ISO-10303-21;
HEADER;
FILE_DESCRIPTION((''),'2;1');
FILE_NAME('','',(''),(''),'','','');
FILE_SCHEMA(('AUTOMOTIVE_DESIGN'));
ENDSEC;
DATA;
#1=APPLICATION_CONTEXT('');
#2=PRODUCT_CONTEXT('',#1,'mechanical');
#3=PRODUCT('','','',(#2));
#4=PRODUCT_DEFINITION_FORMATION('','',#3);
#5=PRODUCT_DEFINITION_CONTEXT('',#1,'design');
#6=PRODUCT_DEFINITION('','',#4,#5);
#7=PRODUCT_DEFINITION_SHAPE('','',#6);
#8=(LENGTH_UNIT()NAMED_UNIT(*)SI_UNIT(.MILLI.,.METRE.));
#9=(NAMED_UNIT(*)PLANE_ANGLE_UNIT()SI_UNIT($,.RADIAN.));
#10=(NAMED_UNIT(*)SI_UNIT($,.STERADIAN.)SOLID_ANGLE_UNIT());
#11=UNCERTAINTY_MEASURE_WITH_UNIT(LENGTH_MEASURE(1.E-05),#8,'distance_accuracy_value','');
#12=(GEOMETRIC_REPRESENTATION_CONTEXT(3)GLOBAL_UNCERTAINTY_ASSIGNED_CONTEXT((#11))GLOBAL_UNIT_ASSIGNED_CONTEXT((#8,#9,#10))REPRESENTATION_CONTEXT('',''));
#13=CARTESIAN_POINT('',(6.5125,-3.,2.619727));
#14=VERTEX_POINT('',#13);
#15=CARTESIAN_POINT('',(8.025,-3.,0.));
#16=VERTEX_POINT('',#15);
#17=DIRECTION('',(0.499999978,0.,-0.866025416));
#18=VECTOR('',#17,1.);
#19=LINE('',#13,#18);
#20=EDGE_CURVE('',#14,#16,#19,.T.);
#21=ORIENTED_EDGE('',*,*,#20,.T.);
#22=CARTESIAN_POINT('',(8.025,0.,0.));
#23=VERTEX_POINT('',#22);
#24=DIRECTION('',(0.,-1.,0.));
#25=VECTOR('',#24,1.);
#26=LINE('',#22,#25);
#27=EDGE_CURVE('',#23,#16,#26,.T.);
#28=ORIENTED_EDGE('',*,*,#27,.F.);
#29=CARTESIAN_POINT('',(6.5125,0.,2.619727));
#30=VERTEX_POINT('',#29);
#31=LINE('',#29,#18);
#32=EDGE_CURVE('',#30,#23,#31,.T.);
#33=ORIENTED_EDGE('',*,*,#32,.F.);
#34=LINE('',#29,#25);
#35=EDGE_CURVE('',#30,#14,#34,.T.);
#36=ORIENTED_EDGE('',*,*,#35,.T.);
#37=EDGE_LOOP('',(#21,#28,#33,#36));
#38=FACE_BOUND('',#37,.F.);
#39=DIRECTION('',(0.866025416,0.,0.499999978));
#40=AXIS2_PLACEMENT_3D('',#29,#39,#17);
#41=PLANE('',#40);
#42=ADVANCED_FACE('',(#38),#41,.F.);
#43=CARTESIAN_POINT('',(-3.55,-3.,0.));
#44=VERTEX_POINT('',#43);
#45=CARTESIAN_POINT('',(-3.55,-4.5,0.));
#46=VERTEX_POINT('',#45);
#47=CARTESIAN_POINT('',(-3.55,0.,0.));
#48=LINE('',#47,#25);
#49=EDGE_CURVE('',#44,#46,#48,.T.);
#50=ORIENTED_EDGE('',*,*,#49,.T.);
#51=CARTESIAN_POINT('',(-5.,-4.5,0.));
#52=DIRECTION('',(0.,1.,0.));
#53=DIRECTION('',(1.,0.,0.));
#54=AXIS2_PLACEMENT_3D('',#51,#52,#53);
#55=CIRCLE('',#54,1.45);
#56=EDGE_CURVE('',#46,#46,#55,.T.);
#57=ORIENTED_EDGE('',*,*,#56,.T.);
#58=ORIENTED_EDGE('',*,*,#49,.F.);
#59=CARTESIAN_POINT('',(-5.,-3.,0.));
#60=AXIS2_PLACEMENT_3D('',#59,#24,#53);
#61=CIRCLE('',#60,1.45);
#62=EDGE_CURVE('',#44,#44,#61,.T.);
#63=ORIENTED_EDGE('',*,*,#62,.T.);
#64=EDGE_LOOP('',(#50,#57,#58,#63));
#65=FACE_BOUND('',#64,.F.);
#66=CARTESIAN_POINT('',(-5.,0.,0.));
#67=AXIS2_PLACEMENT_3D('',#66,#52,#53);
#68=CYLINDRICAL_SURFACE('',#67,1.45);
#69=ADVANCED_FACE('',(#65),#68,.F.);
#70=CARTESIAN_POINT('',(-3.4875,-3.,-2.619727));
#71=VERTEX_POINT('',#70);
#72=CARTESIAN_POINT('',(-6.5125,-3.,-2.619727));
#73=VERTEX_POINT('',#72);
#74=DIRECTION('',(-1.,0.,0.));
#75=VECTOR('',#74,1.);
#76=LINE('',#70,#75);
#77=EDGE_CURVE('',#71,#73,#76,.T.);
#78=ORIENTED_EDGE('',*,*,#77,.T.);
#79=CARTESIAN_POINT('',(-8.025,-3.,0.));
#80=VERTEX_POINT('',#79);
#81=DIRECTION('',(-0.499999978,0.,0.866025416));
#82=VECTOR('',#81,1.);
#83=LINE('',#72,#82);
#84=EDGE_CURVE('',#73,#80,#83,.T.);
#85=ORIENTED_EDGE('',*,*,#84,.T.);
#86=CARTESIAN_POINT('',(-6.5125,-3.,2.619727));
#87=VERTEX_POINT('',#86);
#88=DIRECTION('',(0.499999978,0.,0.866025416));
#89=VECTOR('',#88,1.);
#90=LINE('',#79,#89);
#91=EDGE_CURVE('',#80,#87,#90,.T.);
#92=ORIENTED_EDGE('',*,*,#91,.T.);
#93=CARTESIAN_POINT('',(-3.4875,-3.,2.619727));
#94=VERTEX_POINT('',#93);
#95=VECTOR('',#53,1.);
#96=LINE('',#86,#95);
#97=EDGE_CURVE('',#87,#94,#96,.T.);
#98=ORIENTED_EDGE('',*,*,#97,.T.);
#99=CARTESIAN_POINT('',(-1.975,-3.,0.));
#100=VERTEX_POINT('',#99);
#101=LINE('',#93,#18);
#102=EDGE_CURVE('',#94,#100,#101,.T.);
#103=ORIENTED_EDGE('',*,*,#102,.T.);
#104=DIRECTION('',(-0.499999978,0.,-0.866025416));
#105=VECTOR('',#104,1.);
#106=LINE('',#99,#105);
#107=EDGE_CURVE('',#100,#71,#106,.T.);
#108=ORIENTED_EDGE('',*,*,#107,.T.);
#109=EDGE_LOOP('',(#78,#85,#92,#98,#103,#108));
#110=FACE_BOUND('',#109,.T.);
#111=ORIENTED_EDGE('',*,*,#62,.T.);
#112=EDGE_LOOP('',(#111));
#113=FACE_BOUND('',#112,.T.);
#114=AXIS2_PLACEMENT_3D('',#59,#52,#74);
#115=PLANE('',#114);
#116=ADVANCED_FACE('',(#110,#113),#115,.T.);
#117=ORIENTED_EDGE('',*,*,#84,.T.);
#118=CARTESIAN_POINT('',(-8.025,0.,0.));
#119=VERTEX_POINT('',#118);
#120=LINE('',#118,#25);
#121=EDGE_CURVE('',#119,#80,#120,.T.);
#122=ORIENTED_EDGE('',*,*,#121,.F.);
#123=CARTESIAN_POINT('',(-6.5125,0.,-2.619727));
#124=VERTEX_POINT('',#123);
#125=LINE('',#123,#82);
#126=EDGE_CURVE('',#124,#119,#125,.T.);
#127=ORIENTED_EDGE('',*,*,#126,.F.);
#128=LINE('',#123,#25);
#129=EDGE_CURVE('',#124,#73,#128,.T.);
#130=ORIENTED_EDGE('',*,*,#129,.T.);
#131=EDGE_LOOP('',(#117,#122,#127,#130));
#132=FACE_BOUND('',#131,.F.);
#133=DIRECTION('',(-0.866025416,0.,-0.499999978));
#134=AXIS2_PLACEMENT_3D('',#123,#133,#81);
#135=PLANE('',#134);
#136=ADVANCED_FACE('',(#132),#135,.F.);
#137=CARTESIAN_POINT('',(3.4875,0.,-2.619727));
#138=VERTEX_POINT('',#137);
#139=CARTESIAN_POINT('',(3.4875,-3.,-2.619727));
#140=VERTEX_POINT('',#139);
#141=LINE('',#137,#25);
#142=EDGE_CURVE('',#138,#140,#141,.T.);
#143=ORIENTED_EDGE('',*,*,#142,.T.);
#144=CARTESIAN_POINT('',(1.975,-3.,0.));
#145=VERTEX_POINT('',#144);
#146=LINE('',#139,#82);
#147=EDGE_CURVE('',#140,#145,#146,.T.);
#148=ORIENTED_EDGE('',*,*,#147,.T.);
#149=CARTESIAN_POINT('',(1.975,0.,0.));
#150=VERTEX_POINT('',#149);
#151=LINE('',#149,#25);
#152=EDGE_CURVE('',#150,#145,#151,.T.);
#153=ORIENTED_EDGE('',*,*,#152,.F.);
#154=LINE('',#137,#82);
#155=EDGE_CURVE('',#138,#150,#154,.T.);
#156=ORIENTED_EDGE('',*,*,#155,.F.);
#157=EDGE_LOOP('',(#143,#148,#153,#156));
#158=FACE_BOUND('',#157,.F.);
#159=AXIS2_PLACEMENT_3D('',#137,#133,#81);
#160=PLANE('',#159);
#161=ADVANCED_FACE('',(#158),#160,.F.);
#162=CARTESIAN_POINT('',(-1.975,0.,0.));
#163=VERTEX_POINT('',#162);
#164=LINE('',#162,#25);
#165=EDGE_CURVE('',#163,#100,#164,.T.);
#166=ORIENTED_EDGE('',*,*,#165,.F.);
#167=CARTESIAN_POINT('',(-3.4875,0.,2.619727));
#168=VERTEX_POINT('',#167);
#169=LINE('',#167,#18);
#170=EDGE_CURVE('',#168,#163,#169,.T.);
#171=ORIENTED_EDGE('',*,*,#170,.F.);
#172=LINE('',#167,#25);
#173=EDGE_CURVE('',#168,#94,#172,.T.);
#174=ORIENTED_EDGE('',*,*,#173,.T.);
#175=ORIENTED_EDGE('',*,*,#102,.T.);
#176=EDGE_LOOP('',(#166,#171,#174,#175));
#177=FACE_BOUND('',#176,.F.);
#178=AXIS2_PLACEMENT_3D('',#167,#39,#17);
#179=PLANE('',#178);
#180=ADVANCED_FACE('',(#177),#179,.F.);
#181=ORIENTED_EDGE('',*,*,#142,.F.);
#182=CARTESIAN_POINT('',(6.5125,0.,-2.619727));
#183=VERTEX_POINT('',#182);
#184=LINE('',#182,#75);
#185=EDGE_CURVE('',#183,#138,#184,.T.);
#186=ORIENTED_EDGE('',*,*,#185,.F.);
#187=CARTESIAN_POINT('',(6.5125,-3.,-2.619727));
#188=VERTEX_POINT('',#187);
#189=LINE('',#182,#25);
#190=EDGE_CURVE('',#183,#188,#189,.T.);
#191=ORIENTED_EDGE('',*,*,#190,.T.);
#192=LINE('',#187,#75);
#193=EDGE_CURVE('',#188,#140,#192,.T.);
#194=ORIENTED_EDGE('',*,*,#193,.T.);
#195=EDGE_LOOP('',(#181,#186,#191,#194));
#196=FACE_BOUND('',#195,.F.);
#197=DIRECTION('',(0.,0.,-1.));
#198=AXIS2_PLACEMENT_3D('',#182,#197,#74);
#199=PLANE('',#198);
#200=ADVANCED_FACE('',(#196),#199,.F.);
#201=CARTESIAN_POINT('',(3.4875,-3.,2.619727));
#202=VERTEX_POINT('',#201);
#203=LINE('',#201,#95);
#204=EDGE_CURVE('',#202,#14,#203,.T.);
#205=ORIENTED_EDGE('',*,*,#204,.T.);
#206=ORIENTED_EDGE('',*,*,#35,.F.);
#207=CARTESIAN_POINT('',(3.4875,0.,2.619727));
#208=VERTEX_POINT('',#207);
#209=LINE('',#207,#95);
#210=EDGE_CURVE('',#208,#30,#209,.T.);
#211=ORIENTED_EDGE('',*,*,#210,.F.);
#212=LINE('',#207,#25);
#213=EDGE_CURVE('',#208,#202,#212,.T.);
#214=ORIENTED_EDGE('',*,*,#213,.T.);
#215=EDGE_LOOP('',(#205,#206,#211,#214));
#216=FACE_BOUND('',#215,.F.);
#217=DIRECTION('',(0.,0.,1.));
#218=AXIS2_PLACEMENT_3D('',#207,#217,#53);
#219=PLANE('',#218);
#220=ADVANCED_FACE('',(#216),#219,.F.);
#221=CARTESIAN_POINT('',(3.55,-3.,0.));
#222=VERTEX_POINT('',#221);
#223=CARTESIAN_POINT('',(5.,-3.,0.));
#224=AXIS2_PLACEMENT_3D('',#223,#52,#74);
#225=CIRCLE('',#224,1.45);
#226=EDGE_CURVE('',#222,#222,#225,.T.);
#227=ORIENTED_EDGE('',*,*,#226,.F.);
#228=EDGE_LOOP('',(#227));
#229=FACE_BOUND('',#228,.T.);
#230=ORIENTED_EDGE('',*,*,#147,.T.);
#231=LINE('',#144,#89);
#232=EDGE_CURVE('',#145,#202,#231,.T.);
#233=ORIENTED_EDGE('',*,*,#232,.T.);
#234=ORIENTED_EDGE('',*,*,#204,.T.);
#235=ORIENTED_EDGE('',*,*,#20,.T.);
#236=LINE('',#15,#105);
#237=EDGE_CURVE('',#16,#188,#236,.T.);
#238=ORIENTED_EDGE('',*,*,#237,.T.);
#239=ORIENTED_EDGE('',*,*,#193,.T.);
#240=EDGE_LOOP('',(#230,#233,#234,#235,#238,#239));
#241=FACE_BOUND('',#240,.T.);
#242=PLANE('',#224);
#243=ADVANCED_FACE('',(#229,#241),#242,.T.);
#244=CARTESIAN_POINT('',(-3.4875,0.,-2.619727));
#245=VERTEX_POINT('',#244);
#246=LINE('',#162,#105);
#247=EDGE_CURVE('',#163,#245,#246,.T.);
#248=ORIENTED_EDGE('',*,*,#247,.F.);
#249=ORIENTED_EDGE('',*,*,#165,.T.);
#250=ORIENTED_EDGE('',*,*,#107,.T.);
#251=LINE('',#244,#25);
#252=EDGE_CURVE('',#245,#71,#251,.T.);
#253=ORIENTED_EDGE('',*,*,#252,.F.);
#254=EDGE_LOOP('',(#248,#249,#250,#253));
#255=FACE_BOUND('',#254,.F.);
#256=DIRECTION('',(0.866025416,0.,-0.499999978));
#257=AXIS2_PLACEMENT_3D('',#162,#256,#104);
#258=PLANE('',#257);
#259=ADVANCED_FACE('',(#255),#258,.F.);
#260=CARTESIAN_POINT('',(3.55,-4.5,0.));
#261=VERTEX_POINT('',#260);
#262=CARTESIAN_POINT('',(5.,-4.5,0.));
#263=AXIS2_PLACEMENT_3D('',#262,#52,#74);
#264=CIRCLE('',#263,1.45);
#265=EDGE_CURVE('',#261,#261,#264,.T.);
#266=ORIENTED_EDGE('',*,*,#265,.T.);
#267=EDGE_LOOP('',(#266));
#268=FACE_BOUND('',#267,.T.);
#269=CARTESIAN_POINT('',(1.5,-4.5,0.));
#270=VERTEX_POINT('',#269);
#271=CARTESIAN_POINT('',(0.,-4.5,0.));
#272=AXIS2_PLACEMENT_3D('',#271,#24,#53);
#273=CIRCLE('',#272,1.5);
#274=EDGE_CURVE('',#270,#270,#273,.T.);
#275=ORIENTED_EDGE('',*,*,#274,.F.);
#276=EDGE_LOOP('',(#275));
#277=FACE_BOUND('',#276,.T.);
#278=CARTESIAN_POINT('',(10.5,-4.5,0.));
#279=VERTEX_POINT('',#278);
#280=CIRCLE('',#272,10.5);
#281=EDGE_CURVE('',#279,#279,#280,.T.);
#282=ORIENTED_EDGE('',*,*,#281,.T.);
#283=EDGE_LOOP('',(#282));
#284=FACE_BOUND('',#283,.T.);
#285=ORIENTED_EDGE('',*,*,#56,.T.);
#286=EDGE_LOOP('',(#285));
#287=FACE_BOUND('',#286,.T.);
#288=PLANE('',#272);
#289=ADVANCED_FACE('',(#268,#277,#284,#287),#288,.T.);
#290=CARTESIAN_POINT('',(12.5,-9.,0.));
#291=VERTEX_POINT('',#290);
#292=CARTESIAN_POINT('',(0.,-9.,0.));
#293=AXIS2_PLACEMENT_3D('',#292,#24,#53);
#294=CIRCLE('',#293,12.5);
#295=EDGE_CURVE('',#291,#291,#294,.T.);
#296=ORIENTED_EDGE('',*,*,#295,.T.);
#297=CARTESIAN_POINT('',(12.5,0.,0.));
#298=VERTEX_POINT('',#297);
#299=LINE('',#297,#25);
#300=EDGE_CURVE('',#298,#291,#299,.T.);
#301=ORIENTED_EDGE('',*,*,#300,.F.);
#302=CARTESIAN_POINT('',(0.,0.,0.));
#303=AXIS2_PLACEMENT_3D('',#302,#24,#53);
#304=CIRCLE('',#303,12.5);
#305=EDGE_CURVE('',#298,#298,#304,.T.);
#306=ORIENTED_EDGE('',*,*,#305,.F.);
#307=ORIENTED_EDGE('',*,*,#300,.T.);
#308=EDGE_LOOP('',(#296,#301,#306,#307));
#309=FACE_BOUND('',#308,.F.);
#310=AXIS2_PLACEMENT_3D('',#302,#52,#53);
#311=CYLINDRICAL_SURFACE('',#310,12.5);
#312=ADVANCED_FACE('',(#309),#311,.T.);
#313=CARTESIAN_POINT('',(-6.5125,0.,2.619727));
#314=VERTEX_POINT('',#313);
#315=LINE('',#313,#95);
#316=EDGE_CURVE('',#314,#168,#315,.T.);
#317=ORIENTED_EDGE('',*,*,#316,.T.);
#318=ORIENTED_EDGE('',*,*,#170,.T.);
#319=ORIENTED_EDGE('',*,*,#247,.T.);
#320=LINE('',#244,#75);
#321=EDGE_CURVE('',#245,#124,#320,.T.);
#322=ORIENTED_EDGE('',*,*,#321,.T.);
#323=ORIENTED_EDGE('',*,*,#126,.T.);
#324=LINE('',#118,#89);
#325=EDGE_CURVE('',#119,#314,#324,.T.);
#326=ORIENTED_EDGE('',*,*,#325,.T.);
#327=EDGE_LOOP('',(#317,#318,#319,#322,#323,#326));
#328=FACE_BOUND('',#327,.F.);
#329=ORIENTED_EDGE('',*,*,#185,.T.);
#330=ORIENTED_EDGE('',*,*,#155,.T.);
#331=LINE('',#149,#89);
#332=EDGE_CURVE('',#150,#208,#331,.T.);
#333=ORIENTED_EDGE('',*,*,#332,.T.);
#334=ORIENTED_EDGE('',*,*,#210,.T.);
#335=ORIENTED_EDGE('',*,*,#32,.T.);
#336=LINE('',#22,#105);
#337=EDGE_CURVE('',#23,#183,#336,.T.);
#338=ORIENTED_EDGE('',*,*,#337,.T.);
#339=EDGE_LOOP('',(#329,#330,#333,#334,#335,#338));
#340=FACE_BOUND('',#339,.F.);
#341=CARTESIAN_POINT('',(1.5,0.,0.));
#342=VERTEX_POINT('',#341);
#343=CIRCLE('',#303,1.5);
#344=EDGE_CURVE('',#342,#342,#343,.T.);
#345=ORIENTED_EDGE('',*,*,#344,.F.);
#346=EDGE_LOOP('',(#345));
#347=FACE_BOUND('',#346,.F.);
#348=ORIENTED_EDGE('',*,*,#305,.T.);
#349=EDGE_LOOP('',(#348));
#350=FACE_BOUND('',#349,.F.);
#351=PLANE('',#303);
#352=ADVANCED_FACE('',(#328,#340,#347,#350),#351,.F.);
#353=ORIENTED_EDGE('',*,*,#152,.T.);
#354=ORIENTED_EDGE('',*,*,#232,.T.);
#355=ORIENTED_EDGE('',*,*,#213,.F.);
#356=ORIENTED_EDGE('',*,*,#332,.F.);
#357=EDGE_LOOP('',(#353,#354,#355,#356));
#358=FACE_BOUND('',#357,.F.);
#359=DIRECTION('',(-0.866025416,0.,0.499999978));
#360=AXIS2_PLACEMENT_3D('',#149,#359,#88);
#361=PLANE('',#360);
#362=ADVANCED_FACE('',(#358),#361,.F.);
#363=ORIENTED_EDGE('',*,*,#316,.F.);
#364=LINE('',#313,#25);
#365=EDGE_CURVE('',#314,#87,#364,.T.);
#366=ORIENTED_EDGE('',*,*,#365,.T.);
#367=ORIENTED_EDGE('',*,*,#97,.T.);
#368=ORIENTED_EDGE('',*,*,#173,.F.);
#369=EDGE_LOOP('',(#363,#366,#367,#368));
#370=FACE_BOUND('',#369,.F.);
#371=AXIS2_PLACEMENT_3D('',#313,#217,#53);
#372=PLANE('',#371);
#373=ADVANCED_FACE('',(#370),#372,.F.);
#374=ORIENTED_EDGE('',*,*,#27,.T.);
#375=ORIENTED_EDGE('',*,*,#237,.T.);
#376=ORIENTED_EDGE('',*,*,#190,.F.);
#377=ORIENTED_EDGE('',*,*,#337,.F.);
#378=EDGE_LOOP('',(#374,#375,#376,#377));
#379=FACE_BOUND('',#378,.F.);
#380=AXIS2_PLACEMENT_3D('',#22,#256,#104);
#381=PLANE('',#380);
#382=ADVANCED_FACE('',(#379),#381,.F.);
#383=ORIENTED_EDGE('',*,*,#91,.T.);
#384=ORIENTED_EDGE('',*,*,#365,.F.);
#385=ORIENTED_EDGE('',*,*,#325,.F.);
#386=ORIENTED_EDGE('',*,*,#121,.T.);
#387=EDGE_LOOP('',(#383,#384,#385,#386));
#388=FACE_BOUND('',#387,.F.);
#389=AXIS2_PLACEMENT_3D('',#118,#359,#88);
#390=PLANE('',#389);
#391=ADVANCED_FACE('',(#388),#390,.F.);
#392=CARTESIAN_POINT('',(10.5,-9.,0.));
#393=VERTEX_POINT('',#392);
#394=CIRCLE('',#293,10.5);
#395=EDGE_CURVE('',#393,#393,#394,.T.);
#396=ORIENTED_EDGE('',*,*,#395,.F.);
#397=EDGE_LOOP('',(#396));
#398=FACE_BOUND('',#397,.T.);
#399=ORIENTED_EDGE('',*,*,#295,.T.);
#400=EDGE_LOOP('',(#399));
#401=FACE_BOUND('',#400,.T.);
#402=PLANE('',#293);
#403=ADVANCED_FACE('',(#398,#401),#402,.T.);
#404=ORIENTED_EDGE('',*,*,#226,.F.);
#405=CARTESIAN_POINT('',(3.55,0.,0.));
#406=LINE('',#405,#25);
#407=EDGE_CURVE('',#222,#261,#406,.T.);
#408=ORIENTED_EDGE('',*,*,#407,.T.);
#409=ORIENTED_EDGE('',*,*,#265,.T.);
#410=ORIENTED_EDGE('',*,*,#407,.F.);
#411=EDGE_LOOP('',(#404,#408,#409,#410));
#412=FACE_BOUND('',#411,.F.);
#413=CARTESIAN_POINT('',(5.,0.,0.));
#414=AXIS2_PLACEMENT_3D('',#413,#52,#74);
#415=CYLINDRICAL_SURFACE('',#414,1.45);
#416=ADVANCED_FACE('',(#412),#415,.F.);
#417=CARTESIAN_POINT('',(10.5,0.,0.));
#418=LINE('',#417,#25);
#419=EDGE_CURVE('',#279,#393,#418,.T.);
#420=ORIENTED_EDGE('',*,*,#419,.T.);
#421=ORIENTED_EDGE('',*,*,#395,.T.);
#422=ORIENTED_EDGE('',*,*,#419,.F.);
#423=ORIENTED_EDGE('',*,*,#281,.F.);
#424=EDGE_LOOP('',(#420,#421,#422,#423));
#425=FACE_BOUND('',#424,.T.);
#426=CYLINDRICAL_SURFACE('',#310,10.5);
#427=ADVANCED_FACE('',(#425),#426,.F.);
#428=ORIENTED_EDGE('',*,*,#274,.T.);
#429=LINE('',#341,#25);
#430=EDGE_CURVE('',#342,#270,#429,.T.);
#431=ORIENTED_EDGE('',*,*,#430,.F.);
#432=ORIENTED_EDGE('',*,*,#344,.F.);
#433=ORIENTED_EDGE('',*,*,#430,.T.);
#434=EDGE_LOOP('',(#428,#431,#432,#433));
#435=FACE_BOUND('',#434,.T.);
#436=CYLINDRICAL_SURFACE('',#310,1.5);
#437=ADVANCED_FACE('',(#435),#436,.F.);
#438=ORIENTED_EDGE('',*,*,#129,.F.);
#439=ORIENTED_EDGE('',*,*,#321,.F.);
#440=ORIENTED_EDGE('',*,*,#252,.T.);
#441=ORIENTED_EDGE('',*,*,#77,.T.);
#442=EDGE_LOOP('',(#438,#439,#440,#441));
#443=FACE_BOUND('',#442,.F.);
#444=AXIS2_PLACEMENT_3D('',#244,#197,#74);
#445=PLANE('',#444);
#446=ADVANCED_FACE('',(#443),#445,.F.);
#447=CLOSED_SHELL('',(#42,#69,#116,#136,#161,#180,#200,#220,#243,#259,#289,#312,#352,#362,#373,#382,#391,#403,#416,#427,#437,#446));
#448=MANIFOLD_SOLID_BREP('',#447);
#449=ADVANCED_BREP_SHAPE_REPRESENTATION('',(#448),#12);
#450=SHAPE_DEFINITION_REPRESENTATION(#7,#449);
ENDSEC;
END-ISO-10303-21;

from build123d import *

# Parameters (mm, degrees)
F0_R     = 10.5
F0_R_2   = 1.5
F1_DEPTH = 4.5
F0_R_3   = 12.5
F2_DEPTH = 9
F4_DEPTH = 4.5
F3_R     = 1.45
F5_DEPTH = 4.5
F6_DEPTH = 3


with BuildPart() as f1:
    # F0 (on Front) → F1 (new body)
    with BuildSketch(Plane.XZ):
        Circle(F0_R)
        Circle(F0_R_2, mode=Mode.SUBTRACT)
    extrude(amount=F1_DEPTH)

    # F0 (on Front) → F2 (join)
    with BuildSketch(Plane.XZ):
        Circle(F0_R_3)
        Circle(F0_R, mode=Mode.SUBTRACT)
    extrude(amount=F2_DEPTH)

    # F3 (on face) → F4 (cut)
    with BuildSketch(Plane(origin=(0, 0, 0), x_dir=(-1, 0, 0), z_dir=(0, 1, 0))):
        with BuildLine():
            ThreePointArc((6.45, 0), (5, 1.45), (3.55, 0))
            ThreePointArc((3.55, 0), (5, -1.45), (6.45, 0))
        make_face()
    extrude(amount=-F4_DEPTH, mode=Mode.SUBTRACT)

    # F3 (on face) → F5 (cut)
    with BuildSketch(Plane(origin=(0, 0, 0), x_dir=(-1, 0, 0), z_dir=(0, 1, 0))):
        with Locations((-5, 0)):
            Circle(F3_R)
    extrude(amount=-F5_DEPTH, mode=Mode.SUBTRACT)

    # F3 (on face) → F6 (cut)
    with BuildSketch(Plane(origin=(0, 0, 0), x_dir=(-1, 0, 0), z_dir=(0, 1, 0))):
        Polygon((-1.975, 0), (-3.4875, 2.619727), (-6.5125, 2.619727), (-8.025, 0), (-6.5125, -2.619727), (-3.4875, -2.619727), align=None)
        with Locations((-5, 0)):
            Circle(F3_R, mode=Mode.SUBTRACT)
        Polygon((3.4875, 2.619727), (1.975, 0), (3.4875, -2.619727), (6.5125, -2.619727), (8.025, 0), (6.5125, 2.619727), align=None)
        with BuildLine():
            ThreePointArc((6.45, 0), (5, -1.45), (3.55, 0))
            ThreePointArc((3.55, 0), (5, 1.45), (6.45, 0))
        make_face(mode=Mode.SUBTRACT)
    extrude(amount=-F6_DEPTH, mode=Mode.SUBTRACT)


solid = f1.part
